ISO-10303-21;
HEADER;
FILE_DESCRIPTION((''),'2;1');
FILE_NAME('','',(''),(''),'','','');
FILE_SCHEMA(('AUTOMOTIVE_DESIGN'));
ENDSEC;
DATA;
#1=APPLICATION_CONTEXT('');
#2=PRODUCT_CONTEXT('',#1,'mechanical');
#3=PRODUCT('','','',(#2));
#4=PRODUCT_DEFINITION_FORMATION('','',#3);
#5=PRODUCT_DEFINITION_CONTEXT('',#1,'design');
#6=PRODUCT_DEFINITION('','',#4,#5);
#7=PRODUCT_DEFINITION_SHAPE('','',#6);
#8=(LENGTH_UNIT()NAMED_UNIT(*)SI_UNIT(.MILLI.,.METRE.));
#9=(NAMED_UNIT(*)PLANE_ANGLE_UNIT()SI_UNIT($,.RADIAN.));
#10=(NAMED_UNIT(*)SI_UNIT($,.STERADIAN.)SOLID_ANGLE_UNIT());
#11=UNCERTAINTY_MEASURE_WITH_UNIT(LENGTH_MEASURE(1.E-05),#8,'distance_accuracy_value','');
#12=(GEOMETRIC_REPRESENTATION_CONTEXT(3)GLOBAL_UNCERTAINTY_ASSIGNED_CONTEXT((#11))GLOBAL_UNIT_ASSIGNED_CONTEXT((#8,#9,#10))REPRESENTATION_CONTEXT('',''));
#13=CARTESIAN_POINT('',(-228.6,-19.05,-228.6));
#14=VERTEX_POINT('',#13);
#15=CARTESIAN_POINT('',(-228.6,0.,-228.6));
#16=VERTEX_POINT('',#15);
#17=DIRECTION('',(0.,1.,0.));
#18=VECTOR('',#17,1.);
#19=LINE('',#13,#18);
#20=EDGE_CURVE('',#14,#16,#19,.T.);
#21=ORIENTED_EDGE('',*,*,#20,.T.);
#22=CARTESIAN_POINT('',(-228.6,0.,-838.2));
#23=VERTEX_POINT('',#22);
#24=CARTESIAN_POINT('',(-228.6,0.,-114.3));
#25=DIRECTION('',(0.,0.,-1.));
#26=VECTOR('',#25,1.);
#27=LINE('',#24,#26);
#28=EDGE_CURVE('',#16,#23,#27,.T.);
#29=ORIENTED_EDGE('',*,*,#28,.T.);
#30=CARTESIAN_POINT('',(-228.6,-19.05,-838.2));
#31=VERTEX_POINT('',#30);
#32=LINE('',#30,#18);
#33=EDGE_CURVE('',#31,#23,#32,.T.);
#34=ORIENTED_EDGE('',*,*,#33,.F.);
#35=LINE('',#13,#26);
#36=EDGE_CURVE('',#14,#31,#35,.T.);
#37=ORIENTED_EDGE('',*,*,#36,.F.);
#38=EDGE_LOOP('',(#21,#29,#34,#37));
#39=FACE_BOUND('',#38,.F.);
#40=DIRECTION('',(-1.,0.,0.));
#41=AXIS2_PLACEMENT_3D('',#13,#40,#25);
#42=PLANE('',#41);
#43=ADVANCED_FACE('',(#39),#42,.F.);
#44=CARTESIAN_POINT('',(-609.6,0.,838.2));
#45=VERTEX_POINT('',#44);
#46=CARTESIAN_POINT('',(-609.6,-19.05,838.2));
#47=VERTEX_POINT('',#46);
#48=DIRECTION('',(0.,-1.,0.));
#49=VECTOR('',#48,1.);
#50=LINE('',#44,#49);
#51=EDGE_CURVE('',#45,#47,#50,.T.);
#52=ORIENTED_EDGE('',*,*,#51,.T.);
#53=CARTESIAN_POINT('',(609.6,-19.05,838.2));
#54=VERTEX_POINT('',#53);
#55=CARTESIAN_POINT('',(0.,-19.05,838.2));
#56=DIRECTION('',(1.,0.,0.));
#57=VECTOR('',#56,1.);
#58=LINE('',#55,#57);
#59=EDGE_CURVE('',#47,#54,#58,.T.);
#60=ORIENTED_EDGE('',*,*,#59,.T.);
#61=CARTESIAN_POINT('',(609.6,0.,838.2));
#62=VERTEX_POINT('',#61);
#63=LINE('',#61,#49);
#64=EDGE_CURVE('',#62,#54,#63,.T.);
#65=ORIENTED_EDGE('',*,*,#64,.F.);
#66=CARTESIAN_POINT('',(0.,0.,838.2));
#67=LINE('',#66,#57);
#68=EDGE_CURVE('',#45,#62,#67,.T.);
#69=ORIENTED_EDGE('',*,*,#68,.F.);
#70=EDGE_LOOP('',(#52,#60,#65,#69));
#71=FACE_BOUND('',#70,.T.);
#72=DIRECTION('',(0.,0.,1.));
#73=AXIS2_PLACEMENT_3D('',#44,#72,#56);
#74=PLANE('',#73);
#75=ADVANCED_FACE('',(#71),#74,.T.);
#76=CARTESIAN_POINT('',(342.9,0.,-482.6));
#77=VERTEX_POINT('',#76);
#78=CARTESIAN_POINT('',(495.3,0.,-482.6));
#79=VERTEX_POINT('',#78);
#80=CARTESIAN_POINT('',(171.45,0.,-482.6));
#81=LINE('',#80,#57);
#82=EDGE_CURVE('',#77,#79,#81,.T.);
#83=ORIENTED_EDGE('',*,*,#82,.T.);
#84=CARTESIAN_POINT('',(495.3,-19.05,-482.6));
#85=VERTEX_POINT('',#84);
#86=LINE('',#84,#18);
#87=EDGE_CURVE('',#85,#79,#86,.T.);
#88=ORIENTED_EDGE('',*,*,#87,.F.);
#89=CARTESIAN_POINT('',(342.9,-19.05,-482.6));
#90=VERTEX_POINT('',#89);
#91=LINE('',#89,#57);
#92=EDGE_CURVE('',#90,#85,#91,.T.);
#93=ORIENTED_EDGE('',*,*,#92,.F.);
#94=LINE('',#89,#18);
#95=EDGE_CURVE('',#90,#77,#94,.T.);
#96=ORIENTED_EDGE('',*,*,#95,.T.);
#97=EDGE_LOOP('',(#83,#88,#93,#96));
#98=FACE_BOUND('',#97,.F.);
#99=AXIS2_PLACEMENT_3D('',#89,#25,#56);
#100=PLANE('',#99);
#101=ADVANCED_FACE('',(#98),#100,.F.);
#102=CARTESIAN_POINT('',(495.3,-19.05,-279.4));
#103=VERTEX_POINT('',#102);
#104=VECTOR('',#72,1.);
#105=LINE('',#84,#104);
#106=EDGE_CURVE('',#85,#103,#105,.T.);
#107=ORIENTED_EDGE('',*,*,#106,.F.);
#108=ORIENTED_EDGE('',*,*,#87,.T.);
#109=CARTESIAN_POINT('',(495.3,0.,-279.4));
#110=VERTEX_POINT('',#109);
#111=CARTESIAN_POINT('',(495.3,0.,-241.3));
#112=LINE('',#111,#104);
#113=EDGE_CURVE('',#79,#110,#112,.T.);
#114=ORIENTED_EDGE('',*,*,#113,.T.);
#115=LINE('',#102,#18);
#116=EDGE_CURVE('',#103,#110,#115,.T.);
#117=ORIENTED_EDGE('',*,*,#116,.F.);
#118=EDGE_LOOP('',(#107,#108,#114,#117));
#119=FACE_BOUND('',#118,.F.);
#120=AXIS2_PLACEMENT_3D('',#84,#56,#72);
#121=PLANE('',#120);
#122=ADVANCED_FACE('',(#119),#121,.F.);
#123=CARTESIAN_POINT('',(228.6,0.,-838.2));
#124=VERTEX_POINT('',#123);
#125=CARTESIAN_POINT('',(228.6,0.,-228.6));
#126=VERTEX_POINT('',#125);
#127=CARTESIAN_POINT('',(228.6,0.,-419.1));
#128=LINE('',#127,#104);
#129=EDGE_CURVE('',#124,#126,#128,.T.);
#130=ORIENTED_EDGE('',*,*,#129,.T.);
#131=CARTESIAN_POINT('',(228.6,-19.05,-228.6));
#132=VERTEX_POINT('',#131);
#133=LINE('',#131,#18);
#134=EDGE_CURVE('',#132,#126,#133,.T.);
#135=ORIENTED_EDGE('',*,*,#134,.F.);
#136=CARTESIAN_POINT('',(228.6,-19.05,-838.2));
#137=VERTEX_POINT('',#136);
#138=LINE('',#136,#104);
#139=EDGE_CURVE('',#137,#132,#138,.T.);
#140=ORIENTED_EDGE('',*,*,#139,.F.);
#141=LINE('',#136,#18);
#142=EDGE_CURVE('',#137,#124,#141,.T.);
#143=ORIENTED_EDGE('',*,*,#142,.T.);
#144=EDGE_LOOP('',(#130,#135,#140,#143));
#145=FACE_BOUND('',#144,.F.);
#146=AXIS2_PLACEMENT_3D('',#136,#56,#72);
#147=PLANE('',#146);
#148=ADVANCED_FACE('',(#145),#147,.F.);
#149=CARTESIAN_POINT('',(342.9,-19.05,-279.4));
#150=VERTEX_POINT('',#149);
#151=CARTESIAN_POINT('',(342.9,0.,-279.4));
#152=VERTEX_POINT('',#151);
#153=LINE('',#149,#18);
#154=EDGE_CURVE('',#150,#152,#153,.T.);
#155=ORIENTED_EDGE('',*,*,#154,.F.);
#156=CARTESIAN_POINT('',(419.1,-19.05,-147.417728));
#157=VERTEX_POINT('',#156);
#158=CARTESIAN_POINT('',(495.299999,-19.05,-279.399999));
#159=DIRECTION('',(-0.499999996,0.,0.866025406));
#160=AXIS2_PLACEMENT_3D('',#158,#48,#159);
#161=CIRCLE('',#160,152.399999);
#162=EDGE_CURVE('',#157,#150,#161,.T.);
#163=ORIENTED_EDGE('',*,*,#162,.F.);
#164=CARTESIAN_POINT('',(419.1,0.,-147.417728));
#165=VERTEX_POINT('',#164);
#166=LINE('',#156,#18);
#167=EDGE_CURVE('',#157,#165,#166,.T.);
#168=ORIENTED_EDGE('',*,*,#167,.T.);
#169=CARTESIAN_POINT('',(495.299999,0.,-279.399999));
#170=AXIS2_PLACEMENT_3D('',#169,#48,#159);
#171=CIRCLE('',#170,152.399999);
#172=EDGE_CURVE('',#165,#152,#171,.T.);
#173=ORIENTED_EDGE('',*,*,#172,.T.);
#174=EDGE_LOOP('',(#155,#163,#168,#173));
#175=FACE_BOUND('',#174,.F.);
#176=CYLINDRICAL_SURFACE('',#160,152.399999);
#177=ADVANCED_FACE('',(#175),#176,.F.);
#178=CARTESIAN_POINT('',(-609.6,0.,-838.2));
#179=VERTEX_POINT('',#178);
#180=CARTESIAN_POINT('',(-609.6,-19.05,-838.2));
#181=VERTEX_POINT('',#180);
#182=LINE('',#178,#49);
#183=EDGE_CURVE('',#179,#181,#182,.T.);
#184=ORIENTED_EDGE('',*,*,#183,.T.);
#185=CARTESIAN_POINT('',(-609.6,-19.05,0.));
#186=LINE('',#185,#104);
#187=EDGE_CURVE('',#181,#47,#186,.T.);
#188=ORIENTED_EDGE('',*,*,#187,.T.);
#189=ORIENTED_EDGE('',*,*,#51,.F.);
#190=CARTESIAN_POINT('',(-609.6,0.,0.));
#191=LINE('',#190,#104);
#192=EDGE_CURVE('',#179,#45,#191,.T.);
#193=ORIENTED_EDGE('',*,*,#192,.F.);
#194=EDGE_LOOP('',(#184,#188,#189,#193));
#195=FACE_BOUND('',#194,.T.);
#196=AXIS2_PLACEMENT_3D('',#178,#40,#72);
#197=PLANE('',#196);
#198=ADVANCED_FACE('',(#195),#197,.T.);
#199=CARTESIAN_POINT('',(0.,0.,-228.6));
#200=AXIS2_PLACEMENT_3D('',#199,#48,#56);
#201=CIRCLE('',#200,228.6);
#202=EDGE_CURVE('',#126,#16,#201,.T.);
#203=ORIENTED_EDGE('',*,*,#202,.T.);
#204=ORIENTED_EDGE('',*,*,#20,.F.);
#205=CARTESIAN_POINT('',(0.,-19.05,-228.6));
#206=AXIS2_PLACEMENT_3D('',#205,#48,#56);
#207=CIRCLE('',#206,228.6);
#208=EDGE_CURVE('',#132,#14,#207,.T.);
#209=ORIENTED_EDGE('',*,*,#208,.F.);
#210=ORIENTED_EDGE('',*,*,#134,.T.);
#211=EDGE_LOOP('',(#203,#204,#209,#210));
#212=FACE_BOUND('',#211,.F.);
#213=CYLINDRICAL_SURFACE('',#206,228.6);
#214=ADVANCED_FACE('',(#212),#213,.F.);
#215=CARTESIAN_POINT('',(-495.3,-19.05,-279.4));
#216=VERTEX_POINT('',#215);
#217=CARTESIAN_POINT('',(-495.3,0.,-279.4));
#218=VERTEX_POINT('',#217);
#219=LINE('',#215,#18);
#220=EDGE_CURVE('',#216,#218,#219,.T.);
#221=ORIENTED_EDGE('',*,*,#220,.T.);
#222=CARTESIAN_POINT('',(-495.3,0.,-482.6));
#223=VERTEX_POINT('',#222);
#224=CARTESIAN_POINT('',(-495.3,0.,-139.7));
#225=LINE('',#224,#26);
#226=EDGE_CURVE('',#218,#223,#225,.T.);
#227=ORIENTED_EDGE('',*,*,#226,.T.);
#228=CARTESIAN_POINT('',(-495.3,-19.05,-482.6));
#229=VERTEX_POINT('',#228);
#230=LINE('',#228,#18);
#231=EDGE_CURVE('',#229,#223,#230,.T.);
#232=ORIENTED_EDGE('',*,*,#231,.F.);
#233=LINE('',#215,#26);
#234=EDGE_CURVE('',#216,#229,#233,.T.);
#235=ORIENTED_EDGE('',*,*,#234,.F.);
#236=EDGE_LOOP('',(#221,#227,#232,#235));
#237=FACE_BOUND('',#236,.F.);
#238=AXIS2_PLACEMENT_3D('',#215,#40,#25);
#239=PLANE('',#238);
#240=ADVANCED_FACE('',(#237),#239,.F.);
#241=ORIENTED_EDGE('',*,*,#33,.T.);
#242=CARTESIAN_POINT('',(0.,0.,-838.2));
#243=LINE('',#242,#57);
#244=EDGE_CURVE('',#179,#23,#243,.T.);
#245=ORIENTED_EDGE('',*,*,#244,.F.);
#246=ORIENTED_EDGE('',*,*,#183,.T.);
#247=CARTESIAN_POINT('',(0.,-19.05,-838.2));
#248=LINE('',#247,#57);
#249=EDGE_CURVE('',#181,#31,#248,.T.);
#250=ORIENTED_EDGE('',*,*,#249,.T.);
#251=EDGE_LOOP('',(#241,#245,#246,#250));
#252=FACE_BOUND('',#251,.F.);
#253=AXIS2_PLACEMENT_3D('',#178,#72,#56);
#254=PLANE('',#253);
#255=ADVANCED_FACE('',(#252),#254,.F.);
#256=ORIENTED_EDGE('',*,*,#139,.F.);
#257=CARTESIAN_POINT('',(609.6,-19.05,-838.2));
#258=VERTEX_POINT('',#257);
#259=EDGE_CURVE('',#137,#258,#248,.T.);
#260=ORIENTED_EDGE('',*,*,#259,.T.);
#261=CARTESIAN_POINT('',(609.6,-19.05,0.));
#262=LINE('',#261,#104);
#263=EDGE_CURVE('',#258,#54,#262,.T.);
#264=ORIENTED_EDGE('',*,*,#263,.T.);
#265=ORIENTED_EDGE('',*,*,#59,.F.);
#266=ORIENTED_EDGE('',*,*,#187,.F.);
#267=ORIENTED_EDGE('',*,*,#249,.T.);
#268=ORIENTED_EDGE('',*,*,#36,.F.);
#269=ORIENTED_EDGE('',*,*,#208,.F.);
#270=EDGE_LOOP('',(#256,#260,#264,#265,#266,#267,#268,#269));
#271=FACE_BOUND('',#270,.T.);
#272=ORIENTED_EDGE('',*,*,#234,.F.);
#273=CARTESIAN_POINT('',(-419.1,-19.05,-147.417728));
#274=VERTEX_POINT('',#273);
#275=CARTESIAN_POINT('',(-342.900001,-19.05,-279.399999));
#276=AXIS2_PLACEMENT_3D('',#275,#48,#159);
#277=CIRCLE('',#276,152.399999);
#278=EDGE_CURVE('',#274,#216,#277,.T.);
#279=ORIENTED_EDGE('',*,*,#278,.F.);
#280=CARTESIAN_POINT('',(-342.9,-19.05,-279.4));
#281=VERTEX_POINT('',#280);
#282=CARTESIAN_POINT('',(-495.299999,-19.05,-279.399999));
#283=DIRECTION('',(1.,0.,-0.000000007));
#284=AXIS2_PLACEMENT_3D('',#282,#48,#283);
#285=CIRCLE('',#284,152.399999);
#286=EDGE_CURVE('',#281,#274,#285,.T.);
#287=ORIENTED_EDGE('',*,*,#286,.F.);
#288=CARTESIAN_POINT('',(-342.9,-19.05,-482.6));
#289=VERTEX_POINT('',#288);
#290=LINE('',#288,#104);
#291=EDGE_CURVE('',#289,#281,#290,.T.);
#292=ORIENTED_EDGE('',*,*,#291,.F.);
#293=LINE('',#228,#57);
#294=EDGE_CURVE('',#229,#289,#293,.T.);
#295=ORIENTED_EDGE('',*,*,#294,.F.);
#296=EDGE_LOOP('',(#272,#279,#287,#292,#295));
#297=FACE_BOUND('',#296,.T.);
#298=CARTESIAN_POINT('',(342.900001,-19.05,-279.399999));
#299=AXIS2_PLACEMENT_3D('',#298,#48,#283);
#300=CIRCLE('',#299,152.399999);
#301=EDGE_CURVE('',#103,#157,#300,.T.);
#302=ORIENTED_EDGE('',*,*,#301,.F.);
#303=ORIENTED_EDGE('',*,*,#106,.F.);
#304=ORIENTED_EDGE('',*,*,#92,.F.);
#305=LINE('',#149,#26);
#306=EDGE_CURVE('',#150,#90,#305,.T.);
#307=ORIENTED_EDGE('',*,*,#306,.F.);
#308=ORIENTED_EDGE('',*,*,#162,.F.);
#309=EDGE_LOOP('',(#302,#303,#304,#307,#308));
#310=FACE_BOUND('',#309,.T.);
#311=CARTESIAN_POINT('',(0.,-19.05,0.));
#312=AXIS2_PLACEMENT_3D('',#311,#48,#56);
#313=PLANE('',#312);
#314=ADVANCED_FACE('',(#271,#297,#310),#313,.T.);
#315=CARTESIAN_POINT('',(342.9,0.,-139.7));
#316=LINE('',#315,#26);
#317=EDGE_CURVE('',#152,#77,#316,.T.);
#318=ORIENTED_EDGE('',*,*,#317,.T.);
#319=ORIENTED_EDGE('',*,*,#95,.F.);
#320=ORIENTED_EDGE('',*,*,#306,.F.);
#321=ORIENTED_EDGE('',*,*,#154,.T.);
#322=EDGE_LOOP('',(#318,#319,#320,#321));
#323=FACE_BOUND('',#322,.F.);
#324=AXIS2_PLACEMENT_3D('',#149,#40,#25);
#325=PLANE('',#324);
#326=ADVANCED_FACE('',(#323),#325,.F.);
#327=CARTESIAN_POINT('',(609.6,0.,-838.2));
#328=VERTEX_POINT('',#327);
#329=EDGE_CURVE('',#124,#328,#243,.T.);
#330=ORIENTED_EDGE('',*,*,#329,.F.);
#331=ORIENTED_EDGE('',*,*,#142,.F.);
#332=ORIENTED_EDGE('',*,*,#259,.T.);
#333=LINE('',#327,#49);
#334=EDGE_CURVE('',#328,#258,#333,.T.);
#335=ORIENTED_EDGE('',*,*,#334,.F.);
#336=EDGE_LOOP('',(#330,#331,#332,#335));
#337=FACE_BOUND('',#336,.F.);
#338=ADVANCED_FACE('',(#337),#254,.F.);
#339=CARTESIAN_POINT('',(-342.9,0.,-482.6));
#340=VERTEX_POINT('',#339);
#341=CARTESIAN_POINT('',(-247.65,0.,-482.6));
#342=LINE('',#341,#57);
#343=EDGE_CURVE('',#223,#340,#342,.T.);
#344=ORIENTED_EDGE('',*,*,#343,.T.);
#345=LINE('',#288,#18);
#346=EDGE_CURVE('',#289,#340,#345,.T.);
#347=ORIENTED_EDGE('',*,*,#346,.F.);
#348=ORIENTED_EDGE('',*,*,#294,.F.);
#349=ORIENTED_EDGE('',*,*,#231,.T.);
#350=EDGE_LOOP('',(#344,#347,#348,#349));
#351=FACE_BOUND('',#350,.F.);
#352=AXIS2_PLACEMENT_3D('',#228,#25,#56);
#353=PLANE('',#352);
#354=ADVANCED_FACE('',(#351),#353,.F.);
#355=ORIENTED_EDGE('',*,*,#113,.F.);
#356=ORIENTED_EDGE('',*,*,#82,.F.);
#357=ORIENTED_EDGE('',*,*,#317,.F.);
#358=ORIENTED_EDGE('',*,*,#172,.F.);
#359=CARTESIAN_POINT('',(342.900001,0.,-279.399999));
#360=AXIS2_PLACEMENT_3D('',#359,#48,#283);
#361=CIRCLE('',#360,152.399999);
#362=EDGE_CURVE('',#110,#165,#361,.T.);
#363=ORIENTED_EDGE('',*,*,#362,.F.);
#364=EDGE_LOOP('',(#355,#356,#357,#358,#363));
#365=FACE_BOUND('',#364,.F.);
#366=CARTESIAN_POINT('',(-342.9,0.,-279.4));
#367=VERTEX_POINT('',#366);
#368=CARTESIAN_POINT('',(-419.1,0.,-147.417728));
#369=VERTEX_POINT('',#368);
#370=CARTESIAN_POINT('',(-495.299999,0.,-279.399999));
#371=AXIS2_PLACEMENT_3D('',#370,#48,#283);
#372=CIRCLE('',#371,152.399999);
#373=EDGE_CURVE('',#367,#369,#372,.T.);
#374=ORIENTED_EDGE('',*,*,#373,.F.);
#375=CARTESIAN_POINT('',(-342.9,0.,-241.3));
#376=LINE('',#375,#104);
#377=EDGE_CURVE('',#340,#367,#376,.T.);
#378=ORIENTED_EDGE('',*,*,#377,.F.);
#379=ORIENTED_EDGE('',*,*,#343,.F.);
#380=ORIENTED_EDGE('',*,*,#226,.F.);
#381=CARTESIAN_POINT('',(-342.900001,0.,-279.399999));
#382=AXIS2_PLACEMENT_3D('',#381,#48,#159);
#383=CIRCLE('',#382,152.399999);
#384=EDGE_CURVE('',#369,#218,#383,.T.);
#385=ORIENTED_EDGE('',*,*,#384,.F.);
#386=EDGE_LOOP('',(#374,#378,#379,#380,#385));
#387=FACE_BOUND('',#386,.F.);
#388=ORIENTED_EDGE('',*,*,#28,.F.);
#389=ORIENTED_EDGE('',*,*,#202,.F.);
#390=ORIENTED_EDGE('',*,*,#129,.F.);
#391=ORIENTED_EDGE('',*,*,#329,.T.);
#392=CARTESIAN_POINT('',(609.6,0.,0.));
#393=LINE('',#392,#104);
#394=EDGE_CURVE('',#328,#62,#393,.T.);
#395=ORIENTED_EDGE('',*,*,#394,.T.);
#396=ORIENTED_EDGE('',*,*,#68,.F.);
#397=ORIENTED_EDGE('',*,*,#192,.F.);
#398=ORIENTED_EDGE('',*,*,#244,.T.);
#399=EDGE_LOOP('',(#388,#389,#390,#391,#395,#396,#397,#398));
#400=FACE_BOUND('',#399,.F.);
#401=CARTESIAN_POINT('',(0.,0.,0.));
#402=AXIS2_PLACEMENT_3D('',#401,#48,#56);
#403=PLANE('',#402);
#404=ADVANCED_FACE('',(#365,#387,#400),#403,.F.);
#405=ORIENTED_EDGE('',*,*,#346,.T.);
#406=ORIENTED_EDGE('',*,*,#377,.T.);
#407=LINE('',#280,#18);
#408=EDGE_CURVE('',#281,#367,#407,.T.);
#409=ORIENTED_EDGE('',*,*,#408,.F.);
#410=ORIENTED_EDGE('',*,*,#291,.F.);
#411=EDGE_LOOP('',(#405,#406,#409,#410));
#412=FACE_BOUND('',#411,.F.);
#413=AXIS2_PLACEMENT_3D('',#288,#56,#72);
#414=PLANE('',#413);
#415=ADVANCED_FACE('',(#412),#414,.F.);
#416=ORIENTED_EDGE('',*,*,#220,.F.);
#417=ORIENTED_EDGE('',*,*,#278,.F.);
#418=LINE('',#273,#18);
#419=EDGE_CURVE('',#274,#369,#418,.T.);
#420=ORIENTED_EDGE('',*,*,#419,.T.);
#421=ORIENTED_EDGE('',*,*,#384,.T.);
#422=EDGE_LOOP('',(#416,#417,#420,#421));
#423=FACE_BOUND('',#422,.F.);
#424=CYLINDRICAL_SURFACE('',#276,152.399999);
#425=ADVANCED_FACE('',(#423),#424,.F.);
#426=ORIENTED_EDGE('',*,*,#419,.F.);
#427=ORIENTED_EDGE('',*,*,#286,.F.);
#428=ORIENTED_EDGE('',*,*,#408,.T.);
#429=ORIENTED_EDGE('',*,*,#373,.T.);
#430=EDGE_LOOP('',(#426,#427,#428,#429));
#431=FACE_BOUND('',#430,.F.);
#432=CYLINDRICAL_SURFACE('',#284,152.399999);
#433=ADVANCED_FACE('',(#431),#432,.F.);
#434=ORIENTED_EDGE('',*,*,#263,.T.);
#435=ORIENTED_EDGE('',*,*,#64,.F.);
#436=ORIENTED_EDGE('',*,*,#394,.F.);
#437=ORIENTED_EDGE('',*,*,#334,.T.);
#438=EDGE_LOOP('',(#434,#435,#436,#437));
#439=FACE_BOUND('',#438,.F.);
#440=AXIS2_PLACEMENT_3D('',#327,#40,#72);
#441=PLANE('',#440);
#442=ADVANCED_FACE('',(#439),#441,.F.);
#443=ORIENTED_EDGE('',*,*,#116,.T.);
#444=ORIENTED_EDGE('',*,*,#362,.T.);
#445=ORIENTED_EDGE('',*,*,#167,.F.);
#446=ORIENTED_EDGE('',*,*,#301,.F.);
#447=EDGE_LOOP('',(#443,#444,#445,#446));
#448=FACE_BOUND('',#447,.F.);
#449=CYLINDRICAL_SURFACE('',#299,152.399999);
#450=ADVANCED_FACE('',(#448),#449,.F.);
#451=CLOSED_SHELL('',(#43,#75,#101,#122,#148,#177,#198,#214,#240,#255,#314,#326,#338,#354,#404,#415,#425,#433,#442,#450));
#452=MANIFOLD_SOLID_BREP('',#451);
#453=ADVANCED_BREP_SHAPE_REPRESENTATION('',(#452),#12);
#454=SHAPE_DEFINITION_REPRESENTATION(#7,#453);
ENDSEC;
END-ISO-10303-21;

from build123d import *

# Parameters (mm, degrees)
F0_W     = 1219.2
F0_H     = 1676.4
F1_DEPTH = 19.05
F3_DEPTH = 19.051
F5_DEPTH = 19.051


with BuildPart() as f1:
    # F0 (on Front) → F1 (new body)
    with BuildSketch(Plane.XZ):
        Rectangle(F0_W, F0_H)
    extrude(amount=F1_DEPTH)

    # F2 (on face) → F3 (cut, through all)
    with BuildSketch(Plane.XZ.offset(19.05)):
        with BuildLine():
            Line((-228.6, -228.6), (-228.6, -838.2))
            Line((-228.6, -838.2), (228.6, -838.2))
            Line((228.6, -838.2), (228.6, -228.6))
            ThreePointArc((228.6, -228.6), (0, 0), (-228.6, -228.6))
        make_face()
    extrude(amount=-F3_DEPTH, mode=Mode.SUBTRACT)

    # F4 (on face) → F5 (cut, through all)
    with BuildSketch(Plane.XZ.offset(19.05)):
        with BuildLine():
            Line((-495.3, -482.6), (-342.9, -482.6))
            Line((-342.9, -482.6), (-342.9, -279.4))
            ThreePointArc((-342.9, -279.4), (-363.317728, -203.2), (-419.1, -147.417728))
            ThreePointArc((-419.1, -147.417728), (-474.882272, -203.2), (-495.3, -279.4))
            Line((-495.3, -279.4), (-495.3, -482.6))
        make_face()
        with BuildLine():
            ThreePointArc((419.1, -147.417728), (363.317728, -203.2), (342.9, -279.4))
            Line((342.9, -279.4), (342.9, -482.6))
            Line((342.9, -482.6), (495.3, -482.6))
            Line((495.3, -482.6), (495.3, -279.4))
            ThreePointArc((495.3, -279.4), (474.882272, -203.2), (419.1, -147.417728))
        make_face()
    extrude(amount=-F5_DEPTH, mode=Mode.SUBTRACT)


solid = f1.part
